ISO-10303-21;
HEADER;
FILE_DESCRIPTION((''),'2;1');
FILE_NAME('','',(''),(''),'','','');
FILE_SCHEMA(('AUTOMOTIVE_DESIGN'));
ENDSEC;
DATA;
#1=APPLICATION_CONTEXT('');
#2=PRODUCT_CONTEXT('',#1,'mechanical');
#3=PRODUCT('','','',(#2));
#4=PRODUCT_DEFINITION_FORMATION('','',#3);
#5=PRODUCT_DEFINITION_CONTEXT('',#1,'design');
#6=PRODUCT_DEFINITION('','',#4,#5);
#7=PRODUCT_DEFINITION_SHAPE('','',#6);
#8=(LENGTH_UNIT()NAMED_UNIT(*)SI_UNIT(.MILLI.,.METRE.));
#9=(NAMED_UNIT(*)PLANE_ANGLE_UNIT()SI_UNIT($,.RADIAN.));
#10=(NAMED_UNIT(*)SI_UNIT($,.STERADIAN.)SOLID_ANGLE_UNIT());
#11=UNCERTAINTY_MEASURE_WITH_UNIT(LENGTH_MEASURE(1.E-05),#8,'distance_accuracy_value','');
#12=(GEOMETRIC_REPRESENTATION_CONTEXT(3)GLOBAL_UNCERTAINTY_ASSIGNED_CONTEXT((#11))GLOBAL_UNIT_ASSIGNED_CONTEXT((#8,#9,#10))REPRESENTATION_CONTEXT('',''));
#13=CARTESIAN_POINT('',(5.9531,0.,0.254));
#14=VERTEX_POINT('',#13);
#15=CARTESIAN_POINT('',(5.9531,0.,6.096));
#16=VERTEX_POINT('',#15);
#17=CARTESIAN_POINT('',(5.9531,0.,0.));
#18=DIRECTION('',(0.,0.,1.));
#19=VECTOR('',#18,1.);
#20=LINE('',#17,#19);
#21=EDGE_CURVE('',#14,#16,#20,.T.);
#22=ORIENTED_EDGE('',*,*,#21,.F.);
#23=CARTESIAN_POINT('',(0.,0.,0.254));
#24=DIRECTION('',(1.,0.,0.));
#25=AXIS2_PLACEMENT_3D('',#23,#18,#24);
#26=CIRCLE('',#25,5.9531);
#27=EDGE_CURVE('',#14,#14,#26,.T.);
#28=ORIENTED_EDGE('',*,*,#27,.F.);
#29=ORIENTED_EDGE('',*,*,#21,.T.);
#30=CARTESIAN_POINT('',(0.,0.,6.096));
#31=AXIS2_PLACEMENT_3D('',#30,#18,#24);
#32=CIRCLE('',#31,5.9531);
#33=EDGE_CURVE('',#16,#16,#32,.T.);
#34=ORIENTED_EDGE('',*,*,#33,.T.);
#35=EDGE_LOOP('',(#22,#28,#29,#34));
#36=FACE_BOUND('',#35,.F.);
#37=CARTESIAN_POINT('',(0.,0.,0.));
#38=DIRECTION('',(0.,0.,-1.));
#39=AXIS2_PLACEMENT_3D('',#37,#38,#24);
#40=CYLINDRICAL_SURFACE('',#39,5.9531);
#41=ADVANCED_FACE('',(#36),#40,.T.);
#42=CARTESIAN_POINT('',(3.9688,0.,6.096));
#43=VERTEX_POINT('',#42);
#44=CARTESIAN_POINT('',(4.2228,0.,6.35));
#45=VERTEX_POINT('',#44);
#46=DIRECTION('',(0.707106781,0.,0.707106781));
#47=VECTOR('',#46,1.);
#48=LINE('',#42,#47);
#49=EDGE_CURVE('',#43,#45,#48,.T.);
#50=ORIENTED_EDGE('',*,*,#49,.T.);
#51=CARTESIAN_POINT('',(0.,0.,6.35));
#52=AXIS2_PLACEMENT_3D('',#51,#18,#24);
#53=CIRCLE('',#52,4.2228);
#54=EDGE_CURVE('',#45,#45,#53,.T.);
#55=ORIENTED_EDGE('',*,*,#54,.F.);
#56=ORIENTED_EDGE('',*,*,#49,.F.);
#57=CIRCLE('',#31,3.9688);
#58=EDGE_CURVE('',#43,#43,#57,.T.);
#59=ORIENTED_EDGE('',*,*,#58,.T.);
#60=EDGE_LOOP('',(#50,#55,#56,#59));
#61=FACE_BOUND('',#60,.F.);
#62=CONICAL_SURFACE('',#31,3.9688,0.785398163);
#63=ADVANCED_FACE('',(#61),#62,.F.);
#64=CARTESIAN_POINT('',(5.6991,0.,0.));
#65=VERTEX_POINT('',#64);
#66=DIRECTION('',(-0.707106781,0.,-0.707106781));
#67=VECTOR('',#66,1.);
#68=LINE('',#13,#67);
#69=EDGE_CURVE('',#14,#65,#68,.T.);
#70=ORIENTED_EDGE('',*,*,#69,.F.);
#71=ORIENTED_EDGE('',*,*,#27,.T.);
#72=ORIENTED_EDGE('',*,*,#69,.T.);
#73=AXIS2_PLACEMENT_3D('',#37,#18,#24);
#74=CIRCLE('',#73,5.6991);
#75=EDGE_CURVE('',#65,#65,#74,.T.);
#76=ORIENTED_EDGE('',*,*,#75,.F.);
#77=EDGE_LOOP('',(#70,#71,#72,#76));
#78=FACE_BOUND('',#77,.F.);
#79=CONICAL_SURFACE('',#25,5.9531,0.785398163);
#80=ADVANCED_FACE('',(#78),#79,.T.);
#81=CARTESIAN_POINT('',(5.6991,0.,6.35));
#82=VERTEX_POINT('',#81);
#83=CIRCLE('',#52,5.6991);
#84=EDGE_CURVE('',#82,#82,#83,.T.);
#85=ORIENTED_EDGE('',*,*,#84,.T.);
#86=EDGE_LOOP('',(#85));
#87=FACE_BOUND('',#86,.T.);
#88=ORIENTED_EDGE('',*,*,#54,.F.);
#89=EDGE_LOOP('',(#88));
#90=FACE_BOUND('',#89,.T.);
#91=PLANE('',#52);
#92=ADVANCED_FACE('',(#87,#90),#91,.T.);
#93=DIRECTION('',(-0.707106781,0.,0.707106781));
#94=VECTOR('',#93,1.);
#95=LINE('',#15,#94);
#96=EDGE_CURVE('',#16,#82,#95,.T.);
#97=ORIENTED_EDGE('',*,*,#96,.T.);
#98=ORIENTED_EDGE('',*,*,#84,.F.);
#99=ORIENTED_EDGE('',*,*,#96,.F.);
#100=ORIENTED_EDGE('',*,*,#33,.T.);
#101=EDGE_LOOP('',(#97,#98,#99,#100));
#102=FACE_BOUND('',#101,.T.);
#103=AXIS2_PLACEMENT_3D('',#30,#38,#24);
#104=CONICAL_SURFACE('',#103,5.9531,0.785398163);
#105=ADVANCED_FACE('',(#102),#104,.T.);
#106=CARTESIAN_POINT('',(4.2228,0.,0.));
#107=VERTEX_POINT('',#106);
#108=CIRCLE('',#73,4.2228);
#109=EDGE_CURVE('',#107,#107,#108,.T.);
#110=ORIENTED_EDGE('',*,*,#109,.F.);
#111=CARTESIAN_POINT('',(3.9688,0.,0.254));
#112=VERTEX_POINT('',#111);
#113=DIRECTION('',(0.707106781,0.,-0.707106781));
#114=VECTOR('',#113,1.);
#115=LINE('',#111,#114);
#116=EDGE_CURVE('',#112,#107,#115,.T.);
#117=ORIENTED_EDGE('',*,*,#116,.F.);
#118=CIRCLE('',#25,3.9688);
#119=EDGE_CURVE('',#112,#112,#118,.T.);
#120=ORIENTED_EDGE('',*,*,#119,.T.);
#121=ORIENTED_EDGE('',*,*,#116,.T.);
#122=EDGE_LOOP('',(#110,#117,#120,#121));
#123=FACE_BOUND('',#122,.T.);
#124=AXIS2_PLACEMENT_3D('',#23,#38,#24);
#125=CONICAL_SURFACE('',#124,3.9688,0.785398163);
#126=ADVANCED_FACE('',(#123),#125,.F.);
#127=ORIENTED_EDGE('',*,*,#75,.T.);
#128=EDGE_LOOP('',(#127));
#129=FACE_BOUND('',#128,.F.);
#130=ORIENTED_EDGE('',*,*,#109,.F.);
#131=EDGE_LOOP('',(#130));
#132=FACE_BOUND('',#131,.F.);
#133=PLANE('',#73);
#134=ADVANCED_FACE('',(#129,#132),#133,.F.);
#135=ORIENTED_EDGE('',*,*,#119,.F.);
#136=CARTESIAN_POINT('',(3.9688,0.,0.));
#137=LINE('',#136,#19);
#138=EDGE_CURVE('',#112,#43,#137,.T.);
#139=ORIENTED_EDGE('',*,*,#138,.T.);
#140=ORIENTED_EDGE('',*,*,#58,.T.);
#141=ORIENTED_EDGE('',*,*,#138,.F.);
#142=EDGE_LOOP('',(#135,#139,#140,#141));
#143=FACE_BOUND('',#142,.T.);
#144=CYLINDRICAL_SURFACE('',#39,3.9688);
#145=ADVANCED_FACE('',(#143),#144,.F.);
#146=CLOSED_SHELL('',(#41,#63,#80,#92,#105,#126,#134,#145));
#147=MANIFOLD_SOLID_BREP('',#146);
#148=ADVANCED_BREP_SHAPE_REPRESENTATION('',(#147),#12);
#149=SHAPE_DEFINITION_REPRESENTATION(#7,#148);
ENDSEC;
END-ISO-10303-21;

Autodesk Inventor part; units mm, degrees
ref_plane "YZ Plane" through (0, 0, 0) normal (1, 0, 0) x (0, 1, 0)
ref_plane "XZ Plane" through (0, 0, 0) normal (0, 1, 0) x (-1, 0, 0)
ref_plane "XY Plane" through (0, 0, 0) normal (0, 0, 1) x (1, 0, 0)
sketch "Sketch1" plane through (0, 0, 0) normal (0, 0, 1) x (1, 0, 0)
  circle A0 centre (0, 0) radius 3.9688
  circle A1 centre (0, 0) radius 5.9531
  dimension "d0" = 11.9062
  dimension "d1" = 7.9375
extrude "Extrusion1" add sketch "Sketch1" along normal blind 6.35
chamfer "Chamfer1" distance 0.254 angle 45 4 edges at (-5.9531, 0, 6.35) (-3.9688, 0, 6.35) (-3.9688, 0, 0) (-5.9531, 0, 0)
properties material "Steel"
